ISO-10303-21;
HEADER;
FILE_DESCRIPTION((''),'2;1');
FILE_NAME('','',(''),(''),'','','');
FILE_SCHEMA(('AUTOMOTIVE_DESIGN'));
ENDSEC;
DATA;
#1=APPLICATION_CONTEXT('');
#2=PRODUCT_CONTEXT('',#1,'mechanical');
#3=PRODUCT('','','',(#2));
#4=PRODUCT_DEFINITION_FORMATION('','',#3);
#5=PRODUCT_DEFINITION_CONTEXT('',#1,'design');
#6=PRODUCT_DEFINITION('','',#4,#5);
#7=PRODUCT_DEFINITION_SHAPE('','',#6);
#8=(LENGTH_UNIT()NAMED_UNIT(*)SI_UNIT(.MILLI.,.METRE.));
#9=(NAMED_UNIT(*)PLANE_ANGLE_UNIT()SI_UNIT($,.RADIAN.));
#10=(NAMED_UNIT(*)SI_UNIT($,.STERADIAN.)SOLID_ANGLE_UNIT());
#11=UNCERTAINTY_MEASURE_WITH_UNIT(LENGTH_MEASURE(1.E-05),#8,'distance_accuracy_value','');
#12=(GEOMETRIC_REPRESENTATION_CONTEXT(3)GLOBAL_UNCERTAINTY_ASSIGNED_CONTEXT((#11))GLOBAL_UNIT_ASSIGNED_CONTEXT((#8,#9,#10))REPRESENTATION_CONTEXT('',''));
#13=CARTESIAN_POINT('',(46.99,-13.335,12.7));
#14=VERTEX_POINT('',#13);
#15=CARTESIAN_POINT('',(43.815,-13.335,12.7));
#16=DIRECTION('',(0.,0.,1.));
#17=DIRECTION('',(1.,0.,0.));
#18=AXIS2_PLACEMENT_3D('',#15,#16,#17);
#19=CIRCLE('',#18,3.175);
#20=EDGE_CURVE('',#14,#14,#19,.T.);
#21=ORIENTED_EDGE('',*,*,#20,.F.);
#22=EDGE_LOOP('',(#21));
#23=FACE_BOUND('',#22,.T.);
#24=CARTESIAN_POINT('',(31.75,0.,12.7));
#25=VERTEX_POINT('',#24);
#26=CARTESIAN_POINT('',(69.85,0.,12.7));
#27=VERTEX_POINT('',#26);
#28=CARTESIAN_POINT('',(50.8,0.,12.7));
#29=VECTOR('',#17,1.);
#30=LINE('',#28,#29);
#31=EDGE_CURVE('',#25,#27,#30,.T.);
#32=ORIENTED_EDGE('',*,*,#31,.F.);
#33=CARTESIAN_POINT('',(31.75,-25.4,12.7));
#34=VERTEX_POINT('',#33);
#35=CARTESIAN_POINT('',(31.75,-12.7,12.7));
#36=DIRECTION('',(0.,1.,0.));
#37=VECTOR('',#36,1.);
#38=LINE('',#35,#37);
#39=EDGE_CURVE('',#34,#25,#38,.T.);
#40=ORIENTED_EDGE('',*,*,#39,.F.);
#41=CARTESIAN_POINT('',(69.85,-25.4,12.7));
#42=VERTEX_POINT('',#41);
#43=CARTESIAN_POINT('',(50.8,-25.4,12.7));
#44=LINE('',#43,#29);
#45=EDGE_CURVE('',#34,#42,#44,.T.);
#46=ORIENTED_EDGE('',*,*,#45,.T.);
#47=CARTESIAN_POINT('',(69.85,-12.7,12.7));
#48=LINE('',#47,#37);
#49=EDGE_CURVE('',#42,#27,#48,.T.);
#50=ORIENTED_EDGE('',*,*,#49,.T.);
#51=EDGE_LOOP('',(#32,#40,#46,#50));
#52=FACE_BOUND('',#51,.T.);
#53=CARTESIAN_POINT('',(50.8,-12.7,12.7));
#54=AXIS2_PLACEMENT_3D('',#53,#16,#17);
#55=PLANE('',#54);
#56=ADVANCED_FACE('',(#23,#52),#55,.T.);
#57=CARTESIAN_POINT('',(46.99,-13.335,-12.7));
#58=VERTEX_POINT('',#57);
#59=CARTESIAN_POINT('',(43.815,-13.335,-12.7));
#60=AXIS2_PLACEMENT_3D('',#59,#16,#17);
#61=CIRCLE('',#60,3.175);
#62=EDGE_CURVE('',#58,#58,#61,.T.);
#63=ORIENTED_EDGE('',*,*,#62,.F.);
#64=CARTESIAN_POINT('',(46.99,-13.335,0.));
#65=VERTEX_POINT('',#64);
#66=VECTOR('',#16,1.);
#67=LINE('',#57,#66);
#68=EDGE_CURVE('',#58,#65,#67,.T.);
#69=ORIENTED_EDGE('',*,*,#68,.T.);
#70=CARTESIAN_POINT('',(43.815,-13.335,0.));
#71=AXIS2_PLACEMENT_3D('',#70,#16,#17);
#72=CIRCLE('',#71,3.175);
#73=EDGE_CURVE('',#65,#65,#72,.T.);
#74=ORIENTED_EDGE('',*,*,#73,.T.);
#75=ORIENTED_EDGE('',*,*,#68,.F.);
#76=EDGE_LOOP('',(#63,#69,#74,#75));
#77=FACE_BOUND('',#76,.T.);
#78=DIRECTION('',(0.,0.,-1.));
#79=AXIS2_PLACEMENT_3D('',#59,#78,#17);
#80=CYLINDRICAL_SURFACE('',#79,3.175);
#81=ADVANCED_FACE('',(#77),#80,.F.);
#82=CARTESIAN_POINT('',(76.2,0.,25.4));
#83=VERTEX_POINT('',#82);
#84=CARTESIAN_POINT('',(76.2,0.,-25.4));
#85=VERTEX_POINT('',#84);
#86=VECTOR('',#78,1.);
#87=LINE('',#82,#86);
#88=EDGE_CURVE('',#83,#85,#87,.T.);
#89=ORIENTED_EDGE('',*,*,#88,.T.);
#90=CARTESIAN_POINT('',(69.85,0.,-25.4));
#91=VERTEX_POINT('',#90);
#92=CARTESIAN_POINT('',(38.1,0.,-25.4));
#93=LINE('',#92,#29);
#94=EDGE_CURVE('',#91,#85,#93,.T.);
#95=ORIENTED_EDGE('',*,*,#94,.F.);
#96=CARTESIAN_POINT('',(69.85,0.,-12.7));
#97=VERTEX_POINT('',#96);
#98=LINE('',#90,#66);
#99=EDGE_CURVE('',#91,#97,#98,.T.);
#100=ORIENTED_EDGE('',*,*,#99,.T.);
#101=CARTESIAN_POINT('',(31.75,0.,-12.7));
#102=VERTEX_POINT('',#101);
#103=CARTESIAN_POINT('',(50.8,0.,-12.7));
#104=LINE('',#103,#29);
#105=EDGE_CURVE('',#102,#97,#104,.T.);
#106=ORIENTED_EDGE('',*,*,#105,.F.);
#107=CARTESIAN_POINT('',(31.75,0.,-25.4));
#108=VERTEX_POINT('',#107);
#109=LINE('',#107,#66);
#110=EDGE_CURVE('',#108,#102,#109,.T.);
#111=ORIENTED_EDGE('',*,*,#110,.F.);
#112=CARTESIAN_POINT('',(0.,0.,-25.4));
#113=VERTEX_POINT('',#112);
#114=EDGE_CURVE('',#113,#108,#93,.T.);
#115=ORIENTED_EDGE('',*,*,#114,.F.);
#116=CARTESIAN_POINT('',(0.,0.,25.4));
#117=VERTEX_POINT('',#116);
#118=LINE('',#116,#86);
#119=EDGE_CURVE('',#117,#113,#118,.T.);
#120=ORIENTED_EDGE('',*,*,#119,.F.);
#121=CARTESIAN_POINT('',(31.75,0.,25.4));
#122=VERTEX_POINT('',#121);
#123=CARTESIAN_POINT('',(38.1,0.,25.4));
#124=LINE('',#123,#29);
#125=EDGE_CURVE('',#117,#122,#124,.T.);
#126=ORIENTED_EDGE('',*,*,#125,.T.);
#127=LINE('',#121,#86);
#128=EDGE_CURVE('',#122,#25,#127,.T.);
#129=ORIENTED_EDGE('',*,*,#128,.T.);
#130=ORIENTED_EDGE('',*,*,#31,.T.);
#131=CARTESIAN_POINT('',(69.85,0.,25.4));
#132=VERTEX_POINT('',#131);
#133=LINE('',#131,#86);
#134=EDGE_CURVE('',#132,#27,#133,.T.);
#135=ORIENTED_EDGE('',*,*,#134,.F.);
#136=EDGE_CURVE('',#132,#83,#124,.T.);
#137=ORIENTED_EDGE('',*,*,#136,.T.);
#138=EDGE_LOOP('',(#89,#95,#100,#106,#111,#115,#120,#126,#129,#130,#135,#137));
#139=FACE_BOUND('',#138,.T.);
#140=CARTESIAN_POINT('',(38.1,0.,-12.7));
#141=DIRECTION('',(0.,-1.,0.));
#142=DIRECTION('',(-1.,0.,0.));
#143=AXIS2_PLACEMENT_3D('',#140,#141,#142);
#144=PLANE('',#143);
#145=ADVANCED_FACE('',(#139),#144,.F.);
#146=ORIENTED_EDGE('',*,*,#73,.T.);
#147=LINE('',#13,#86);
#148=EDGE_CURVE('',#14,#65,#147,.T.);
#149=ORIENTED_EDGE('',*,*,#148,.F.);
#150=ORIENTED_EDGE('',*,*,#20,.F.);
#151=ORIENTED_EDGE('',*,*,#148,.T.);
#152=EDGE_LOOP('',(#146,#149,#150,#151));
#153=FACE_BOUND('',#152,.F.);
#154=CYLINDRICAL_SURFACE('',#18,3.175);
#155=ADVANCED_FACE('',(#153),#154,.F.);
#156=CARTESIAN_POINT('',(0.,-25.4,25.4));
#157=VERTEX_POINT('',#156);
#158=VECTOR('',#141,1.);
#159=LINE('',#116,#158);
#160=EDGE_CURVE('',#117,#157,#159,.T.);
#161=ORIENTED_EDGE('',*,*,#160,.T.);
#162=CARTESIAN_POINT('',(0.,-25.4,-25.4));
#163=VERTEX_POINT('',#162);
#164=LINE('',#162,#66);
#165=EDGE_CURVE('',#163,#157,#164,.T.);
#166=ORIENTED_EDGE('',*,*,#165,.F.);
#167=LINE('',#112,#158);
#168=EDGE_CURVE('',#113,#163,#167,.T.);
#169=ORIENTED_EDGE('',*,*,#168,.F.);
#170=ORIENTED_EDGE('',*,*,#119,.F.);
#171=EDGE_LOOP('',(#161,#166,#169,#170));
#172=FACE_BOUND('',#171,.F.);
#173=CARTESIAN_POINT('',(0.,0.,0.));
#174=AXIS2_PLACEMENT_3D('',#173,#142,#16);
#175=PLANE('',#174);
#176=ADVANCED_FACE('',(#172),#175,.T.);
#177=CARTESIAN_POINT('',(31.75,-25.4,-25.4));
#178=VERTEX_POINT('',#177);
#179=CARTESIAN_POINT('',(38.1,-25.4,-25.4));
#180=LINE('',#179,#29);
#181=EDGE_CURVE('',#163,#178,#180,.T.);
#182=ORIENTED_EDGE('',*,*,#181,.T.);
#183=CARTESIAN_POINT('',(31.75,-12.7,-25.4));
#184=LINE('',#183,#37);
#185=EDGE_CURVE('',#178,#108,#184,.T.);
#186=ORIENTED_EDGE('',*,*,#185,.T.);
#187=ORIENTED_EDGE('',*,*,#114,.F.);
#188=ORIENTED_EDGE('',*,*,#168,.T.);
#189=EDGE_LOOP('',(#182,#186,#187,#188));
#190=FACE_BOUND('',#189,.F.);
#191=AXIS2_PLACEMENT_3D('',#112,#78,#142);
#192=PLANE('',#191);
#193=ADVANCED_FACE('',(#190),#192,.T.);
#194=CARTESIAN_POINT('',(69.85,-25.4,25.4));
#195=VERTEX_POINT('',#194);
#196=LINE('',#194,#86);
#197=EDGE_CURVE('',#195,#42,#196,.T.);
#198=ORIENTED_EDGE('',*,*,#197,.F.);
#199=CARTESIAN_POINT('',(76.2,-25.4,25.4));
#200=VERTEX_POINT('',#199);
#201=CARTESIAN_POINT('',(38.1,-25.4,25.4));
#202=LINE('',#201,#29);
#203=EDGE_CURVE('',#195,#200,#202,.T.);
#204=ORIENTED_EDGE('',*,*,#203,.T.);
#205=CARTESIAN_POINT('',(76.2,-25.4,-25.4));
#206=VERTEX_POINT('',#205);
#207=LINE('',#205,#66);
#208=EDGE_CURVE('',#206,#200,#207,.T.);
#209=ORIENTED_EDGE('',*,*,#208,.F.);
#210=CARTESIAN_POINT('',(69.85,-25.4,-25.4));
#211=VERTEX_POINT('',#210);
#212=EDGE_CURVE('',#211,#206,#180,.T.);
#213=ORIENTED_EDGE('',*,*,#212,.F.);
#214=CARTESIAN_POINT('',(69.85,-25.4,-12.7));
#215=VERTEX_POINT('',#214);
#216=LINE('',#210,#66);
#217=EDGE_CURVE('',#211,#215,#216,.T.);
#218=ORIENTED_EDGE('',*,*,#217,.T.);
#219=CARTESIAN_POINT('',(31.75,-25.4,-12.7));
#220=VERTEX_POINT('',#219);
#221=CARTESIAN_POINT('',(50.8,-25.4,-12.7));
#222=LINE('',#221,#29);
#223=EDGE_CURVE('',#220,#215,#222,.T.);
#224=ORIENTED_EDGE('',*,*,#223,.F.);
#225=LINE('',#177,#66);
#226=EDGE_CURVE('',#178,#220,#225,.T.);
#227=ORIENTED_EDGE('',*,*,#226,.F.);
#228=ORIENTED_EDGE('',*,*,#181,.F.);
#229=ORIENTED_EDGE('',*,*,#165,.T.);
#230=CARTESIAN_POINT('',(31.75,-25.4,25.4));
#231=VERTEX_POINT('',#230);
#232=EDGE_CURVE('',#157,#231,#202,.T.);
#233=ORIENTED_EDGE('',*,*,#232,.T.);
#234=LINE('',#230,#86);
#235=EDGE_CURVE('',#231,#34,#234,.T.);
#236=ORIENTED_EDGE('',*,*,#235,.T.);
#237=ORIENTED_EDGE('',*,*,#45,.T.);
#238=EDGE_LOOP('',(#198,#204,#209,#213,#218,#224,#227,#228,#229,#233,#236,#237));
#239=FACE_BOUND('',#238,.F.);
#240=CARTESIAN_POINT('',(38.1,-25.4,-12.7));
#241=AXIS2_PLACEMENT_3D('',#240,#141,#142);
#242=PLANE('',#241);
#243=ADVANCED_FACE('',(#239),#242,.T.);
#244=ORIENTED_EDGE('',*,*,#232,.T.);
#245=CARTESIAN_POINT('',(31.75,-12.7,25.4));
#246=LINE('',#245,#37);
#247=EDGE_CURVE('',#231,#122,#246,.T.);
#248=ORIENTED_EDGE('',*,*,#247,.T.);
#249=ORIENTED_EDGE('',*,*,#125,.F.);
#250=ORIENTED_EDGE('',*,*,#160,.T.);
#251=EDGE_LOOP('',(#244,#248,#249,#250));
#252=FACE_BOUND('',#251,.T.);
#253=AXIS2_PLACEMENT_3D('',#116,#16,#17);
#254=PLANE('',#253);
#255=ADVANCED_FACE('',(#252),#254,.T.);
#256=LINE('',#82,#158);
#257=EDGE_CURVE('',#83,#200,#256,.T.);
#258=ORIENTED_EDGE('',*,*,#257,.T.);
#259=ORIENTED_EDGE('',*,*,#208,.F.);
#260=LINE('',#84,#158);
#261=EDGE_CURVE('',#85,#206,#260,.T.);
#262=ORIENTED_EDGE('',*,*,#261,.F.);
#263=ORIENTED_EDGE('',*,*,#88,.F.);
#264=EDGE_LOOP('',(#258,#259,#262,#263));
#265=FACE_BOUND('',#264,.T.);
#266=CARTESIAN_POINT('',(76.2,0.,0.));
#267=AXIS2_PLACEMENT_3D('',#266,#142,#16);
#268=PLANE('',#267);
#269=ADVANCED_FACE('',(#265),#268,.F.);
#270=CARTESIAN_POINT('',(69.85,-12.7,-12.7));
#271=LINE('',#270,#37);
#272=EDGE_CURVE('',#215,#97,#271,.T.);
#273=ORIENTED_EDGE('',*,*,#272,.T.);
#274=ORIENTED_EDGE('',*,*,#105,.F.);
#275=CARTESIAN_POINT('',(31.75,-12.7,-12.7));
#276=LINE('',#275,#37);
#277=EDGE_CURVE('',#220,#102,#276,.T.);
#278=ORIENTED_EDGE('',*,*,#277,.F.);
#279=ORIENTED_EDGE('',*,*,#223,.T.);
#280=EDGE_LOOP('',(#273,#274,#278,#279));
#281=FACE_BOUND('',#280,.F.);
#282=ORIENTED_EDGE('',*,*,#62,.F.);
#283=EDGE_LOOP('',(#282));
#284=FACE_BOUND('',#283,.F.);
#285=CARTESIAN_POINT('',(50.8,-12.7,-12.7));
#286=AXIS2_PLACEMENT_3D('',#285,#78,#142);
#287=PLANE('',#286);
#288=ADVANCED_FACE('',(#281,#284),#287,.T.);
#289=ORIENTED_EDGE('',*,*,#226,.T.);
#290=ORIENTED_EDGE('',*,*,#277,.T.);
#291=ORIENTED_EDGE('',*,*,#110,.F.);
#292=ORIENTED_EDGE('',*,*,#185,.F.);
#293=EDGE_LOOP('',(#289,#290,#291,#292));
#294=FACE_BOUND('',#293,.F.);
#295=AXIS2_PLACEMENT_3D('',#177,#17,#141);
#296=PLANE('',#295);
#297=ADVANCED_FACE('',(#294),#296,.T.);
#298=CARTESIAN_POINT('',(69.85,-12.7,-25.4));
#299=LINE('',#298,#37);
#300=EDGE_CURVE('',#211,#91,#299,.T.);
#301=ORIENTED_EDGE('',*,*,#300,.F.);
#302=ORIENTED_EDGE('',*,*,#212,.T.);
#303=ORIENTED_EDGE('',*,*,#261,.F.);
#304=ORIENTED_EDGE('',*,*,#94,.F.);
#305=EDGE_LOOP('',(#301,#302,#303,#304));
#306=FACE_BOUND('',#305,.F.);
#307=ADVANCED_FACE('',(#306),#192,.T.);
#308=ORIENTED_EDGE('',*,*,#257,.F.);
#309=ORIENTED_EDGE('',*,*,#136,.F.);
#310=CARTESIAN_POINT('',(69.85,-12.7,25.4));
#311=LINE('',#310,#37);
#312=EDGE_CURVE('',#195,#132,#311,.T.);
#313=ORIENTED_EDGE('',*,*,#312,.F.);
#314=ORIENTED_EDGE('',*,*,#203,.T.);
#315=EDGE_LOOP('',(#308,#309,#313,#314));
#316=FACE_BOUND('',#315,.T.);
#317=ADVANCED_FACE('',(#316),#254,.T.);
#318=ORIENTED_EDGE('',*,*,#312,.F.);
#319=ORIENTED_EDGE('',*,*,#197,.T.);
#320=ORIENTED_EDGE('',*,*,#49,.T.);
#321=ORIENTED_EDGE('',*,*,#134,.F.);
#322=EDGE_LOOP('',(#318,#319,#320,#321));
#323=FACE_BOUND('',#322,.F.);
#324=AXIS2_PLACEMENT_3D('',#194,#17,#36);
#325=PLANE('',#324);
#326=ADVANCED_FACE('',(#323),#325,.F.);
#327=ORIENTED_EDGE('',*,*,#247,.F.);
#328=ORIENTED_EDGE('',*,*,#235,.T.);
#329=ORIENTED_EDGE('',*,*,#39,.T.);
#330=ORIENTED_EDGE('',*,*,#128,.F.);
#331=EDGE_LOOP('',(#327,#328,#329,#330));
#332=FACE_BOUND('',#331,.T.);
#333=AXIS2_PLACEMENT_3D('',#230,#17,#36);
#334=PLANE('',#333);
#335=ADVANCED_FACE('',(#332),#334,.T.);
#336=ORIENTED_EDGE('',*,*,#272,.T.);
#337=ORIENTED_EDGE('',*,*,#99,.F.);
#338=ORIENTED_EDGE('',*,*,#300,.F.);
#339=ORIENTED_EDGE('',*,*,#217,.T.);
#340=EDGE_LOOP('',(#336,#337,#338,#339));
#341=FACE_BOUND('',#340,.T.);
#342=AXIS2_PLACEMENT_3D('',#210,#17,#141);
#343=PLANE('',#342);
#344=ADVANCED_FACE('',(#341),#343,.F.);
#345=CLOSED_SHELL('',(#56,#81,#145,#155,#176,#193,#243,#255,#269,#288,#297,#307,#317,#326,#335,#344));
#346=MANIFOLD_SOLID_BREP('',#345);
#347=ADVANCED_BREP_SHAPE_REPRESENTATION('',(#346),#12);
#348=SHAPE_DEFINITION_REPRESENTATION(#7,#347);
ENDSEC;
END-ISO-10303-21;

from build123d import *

# Parameters (mm, degrees)
F0_W     = 76.2
F0_H     = 25.4
F1_DEPTH = 25.4
F2_W     = 38.1
F2_H     = 25.4
F3_DEPTH = 12.7
F4_R     = 3.175
F5_DEPTH = 12.7


with BuildPart() as f1:
    # F0 (on Front) → F1 (new body)
    with BuildSketch(Plane.XZ):
        with Locations((38.1, 12.7)):
            Rectangle(F0_W, F0_H)
    extrude(amount=F1_DEPTH)

    # F2 (on face) → F3 (cut)
    with BuildSketch(Plane.XY.offset(25.4)):
        with Locations((50.8, -12.7)):
            Rectangle(F2_W, F2_H)
    extrude(amount=-F3_DEPTH, mode=Mode.SUBTRACT)

    # F4 (on face) → F5 (cut)
    with BuildSketch(Plane.XY.offset(12.7)):
        with Locations((43.815, -13.335)):
            Circle(F4_R)
    extrude(amount=-F5_DEPTH, mode=Mode.SUBTRACT)

    # F6: F1 across plane


with BuildPart() as f1_1:
    add(f1.part)
    add(f1.part.mirror(Plane.XY))


solid = f1_1.part
